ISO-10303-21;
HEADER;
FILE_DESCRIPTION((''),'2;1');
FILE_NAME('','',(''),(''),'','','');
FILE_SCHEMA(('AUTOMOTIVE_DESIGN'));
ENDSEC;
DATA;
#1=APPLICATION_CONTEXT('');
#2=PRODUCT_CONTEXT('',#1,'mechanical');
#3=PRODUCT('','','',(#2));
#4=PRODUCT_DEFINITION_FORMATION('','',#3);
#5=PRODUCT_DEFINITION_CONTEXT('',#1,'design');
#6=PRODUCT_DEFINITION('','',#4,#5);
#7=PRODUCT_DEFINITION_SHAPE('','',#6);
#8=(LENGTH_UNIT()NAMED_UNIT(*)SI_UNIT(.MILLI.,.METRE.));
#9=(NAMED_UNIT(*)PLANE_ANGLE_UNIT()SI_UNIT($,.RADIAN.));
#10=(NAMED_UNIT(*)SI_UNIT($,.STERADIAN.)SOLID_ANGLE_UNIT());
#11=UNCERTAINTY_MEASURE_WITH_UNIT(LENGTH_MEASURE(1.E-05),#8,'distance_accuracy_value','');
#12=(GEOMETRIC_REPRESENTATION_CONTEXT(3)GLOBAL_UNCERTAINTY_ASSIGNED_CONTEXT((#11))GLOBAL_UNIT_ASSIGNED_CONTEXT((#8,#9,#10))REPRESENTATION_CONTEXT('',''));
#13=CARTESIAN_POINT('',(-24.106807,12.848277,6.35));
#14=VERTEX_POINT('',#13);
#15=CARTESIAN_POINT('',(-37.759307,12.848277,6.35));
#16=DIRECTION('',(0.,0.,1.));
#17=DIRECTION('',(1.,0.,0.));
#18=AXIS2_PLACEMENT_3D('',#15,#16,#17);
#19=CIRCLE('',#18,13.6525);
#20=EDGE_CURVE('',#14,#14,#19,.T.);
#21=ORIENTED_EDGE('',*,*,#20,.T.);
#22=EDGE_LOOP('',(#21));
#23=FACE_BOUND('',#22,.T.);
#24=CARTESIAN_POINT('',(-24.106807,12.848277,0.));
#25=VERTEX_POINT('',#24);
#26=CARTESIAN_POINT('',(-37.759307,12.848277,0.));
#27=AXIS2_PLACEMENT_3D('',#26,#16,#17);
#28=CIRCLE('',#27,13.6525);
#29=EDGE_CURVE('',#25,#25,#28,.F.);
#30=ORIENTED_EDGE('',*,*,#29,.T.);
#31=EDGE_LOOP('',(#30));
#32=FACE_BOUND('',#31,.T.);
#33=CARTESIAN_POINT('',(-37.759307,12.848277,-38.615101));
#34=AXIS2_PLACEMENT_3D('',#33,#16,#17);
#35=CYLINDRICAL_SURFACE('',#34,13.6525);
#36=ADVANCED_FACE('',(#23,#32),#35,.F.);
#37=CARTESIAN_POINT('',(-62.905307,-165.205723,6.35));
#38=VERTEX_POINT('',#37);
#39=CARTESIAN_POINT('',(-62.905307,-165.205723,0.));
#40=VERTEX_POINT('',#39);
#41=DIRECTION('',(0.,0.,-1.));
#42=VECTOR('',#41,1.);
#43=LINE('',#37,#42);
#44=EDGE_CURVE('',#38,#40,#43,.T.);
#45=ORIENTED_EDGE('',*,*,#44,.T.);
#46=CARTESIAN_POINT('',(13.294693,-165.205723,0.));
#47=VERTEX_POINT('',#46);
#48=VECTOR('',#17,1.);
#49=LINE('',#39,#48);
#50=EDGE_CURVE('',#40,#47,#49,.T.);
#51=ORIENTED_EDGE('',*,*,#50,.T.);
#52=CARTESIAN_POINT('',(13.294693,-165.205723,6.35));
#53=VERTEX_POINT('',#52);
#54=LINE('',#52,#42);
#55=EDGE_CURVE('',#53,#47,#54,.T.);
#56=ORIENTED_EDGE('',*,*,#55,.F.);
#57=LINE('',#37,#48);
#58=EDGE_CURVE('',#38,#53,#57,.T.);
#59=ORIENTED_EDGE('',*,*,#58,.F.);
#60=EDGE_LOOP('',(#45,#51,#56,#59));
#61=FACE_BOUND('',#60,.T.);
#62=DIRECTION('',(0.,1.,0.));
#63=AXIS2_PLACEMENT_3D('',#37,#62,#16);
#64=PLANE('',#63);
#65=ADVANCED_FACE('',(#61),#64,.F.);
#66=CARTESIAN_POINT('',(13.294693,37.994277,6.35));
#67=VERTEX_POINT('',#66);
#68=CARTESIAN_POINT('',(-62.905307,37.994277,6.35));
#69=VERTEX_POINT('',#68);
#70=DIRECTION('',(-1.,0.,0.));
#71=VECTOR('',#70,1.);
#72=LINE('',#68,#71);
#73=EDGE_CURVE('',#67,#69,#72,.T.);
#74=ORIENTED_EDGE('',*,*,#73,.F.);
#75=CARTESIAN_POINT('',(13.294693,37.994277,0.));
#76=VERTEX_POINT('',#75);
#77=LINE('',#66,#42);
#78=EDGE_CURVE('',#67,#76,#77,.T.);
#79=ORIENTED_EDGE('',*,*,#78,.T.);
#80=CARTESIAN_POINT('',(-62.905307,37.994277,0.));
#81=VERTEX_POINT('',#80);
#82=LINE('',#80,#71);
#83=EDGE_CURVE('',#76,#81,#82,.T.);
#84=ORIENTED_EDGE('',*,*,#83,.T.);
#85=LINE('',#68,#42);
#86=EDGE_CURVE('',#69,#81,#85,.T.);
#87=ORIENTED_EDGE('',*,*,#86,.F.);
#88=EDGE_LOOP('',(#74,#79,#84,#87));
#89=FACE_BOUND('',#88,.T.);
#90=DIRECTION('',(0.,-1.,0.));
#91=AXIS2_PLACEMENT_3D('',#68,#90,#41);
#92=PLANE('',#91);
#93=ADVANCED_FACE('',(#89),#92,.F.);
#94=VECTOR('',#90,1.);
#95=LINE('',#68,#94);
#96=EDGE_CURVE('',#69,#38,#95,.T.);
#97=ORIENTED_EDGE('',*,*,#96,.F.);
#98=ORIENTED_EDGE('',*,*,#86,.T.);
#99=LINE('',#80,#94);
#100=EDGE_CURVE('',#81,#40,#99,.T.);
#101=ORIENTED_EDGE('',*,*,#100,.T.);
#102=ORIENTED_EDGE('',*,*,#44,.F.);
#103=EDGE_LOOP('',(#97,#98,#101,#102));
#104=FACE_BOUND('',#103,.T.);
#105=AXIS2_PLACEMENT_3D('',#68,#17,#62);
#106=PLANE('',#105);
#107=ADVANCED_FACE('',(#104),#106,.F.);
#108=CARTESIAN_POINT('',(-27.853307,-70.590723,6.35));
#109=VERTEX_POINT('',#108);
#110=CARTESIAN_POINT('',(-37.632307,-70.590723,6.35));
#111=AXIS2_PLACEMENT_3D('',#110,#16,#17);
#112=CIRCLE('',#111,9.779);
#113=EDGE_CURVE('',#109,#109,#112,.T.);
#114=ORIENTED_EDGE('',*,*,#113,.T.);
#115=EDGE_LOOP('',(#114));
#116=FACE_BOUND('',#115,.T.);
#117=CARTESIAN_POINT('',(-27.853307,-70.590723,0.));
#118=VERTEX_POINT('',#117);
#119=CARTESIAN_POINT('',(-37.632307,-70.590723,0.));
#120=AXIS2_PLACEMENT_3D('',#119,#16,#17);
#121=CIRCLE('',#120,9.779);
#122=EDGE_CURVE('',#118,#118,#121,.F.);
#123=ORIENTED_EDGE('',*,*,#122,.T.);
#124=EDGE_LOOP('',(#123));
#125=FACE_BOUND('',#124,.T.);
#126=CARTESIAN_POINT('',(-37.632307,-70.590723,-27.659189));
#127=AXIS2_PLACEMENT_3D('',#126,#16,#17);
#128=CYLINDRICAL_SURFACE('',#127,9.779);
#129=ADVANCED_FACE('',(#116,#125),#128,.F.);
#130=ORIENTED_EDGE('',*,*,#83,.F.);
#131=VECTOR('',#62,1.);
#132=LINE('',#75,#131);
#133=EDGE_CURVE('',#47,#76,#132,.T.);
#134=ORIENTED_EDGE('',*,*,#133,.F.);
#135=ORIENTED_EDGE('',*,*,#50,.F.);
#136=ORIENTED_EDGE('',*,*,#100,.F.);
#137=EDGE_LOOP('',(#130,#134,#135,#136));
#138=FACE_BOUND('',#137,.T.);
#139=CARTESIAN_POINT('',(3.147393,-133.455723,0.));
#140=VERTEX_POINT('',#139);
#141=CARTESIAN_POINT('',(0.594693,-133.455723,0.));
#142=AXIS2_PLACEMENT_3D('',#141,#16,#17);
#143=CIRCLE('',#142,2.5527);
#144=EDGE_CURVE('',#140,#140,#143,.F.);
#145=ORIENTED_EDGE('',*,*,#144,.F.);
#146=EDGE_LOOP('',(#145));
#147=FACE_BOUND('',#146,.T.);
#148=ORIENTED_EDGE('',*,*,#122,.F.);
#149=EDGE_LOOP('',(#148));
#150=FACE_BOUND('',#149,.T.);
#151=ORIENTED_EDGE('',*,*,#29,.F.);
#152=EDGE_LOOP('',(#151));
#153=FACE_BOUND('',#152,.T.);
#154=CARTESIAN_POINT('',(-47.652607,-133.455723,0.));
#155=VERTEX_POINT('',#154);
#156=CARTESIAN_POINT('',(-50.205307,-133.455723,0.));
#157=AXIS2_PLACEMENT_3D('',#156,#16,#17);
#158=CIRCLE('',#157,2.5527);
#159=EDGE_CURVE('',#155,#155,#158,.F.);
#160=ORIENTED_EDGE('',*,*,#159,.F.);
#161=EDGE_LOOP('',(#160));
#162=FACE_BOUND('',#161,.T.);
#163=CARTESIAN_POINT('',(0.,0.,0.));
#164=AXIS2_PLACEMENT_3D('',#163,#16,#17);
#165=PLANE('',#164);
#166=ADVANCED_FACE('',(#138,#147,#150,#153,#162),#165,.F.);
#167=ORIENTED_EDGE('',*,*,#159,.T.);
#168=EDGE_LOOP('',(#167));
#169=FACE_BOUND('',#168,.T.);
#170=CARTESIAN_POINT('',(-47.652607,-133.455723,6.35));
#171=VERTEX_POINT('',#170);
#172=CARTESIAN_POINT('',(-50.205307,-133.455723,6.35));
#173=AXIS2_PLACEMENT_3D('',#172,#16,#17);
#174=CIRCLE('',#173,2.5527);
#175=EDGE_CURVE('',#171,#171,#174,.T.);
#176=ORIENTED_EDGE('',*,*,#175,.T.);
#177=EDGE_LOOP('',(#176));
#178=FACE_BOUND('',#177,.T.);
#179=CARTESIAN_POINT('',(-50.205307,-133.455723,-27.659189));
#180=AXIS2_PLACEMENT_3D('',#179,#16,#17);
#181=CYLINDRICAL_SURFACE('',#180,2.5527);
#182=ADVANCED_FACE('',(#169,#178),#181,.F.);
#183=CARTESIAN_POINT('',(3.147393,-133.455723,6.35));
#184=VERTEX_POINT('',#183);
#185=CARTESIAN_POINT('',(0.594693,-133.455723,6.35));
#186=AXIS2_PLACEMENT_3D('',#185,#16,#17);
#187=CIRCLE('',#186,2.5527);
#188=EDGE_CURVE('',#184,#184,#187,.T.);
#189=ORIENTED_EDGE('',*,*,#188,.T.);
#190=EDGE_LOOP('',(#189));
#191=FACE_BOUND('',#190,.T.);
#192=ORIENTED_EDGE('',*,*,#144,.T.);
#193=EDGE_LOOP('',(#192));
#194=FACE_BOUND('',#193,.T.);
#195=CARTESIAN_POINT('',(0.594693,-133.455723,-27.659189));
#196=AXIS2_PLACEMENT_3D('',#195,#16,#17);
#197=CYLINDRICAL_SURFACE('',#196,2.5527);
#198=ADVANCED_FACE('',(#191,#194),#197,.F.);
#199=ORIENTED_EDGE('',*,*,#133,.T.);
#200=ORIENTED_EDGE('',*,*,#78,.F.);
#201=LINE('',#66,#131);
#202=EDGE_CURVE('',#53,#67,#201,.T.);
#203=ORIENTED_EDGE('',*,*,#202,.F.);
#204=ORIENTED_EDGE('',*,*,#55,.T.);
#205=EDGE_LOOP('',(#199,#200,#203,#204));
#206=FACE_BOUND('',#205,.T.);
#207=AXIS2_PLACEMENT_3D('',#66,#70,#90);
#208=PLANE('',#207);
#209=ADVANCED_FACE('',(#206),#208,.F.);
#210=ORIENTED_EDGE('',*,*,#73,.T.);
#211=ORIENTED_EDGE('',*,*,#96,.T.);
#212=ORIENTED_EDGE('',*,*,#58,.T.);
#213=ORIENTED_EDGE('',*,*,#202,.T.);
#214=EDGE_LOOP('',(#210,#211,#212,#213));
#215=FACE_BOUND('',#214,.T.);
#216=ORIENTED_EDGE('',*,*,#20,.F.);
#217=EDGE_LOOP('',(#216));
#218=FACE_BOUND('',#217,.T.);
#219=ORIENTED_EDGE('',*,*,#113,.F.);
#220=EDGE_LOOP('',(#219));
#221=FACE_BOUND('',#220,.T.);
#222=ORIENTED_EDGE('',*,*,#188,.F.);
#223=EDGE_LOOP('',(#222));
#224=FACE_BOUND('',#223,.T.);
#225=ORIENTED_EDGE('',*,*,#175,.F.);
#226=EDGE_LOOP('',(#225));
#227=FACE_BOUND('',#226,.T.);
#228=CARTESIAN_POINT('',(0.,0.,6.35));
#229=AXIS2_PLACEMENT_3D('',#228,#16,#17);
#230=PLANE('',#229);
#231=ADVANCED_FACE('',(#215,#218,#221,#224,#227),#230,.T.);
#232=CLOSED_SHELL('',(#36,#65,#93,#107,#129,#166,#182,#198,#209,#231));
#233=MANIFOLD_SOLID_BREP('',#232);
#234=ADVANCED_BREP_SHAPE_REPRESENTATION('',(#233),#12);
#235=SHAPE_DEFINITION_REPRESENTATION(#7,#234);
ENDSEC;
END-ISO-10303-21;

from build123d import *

# Parameters (mm, degrees)
SKETCH1_W           = 76.2
SKETCH1_H           = 203.2
BOSS_EXTRUDE1_DEPTH = 6.35
SKETCH2_R           = 9.779
SKETCH2_R_2         = 2.5527
CUT_EXTRUDE1_DEPTH  = 6.35
CUT_EXTRUDE3_DEPTH  = 6.35


with BuildPart() as part:
    # Sketch1 → Boss-Extrude1 (new body)
    with BuildSketch(Plane.XY):
        with Locations((-24.805306972, -63.605723205)):
            Rectangle(SKETCH1_W, SKETCH1_H)
    extrude(amount=BOSS_EXTRUDE1_DEPTH)

    # Sketch2 → Cut-Extrude1 (cut)
    with BuildSketch(Plane.XY.offset(6.35)):
        with Locations((-37.632306972, -70.590723205)):
            Circle(SKETCH2_R)
        with Locations((-50.205306972, -133.455723205)):
            Circle(SKETCH2_R_2)
        with Locations((0.594693028, -133.455723205)):
            Circle(SKETCH2_R_2)
    extrude(amount=-CUT_EXTRUDE1_DEPTH, mode=Mode.SUBTRACT)

    # Sketch7 → Cut-Extrude3 (cut)
    with BuildSketch(Plane.XY.offset(6.35)):
        with BuildLine():
            Line((-37.759306972, 25.294276795), (-37.759306972, 0.402276795))
            Line((-37.759306972, 0.402276795), (-32.147904273, 0.402276795))
            ThreePointArc((-32.147904273, 0.402276795), (-28.105531642, 3.194501465), (-25.313306972, 7.236874096))
            Line((-25.313306972, 7.236874096), (-25.313306972, 18.459679494))
            ThreePointArc((-25.313306972, 18.459679494), (-28.105531642, 22.502052125), (-32.147904273, 25.294276795))
            Line((-32.147904273, 25.294276795), (-37.759306972, 25.294276795))
        make_face()
        with BuildLine():
            Line((-25.313306972, 18.459679494), (-25.313306972, 7.236874096))
            ThreePointArc((-25.313306972, 7.236874096), (-24.411839586, 9.978456134), (-24.106806972, 12.848276795))
            ThreePointArc((-24.106806972, 12.848276795), (-24.411839586, 15.718097456), (-25.313306972, 18.459679494))
        make_face()
        with BuildLine():
            Line((-43.370709671, 25.294276795), (-37.759306972, 25.294276795))
            Line((-37.759306972, 25.294276795), (-32.147904273, 25.294276795))
            ThreePointArc((-32.147904273, 25.294276795), (-37.759306972, 26.500776795), (-43.370709671, 25.294276795))
        make_face()
        with BuildLine():
            Line((-32.147904273, 0.402276795), (-37.759306972, 0.402276795))
            Line((-37.759306972, 0.402276795), (-43.370709671, 0.402276795))
            ThreePointArc((-43.370709671, 0.402276795), (-37.759306972, -0.804223205), (-32.147904273, 0.402276795))
        make_face()
        with BuildLine():
            Line((-43.370709671, 0.402276795), (-37.759306972, 0.402276795))
            Line((-37.759306972, 0.402276795), (-37.759306972, 25.294276795))
            Line((-37.759306972, 25.294276795), (-43.370709671, 25.294276795))
            ThreePointArc((-43.370709671, 25.294276795), (-47.413082302, 22.502052125), (-50.205306972, 18.459679494))
            Line((-50.205306972, 18.459679494), (-50.205306972, 7.236874096))
            ThreePointArc((-50.205306972, 7.236874096), (-47.413082302, 3.194501465), (-43.370709671, 0.402276795))
        make_face()
        with BuildLine():
            ThreePointArc((-50.205306972, 18.459679494), (-51.411806972, 12.848276795), (-50.205306972, 7.236874096))
            Line((-50.205306972, 7.236874096), (-50.205306972, 18.459679494))
        make_face()
    extrude(amount=-CUT_EXTRUDE3_DEPTH, mode=Mode.SUBTRACT)


solid = part.part
